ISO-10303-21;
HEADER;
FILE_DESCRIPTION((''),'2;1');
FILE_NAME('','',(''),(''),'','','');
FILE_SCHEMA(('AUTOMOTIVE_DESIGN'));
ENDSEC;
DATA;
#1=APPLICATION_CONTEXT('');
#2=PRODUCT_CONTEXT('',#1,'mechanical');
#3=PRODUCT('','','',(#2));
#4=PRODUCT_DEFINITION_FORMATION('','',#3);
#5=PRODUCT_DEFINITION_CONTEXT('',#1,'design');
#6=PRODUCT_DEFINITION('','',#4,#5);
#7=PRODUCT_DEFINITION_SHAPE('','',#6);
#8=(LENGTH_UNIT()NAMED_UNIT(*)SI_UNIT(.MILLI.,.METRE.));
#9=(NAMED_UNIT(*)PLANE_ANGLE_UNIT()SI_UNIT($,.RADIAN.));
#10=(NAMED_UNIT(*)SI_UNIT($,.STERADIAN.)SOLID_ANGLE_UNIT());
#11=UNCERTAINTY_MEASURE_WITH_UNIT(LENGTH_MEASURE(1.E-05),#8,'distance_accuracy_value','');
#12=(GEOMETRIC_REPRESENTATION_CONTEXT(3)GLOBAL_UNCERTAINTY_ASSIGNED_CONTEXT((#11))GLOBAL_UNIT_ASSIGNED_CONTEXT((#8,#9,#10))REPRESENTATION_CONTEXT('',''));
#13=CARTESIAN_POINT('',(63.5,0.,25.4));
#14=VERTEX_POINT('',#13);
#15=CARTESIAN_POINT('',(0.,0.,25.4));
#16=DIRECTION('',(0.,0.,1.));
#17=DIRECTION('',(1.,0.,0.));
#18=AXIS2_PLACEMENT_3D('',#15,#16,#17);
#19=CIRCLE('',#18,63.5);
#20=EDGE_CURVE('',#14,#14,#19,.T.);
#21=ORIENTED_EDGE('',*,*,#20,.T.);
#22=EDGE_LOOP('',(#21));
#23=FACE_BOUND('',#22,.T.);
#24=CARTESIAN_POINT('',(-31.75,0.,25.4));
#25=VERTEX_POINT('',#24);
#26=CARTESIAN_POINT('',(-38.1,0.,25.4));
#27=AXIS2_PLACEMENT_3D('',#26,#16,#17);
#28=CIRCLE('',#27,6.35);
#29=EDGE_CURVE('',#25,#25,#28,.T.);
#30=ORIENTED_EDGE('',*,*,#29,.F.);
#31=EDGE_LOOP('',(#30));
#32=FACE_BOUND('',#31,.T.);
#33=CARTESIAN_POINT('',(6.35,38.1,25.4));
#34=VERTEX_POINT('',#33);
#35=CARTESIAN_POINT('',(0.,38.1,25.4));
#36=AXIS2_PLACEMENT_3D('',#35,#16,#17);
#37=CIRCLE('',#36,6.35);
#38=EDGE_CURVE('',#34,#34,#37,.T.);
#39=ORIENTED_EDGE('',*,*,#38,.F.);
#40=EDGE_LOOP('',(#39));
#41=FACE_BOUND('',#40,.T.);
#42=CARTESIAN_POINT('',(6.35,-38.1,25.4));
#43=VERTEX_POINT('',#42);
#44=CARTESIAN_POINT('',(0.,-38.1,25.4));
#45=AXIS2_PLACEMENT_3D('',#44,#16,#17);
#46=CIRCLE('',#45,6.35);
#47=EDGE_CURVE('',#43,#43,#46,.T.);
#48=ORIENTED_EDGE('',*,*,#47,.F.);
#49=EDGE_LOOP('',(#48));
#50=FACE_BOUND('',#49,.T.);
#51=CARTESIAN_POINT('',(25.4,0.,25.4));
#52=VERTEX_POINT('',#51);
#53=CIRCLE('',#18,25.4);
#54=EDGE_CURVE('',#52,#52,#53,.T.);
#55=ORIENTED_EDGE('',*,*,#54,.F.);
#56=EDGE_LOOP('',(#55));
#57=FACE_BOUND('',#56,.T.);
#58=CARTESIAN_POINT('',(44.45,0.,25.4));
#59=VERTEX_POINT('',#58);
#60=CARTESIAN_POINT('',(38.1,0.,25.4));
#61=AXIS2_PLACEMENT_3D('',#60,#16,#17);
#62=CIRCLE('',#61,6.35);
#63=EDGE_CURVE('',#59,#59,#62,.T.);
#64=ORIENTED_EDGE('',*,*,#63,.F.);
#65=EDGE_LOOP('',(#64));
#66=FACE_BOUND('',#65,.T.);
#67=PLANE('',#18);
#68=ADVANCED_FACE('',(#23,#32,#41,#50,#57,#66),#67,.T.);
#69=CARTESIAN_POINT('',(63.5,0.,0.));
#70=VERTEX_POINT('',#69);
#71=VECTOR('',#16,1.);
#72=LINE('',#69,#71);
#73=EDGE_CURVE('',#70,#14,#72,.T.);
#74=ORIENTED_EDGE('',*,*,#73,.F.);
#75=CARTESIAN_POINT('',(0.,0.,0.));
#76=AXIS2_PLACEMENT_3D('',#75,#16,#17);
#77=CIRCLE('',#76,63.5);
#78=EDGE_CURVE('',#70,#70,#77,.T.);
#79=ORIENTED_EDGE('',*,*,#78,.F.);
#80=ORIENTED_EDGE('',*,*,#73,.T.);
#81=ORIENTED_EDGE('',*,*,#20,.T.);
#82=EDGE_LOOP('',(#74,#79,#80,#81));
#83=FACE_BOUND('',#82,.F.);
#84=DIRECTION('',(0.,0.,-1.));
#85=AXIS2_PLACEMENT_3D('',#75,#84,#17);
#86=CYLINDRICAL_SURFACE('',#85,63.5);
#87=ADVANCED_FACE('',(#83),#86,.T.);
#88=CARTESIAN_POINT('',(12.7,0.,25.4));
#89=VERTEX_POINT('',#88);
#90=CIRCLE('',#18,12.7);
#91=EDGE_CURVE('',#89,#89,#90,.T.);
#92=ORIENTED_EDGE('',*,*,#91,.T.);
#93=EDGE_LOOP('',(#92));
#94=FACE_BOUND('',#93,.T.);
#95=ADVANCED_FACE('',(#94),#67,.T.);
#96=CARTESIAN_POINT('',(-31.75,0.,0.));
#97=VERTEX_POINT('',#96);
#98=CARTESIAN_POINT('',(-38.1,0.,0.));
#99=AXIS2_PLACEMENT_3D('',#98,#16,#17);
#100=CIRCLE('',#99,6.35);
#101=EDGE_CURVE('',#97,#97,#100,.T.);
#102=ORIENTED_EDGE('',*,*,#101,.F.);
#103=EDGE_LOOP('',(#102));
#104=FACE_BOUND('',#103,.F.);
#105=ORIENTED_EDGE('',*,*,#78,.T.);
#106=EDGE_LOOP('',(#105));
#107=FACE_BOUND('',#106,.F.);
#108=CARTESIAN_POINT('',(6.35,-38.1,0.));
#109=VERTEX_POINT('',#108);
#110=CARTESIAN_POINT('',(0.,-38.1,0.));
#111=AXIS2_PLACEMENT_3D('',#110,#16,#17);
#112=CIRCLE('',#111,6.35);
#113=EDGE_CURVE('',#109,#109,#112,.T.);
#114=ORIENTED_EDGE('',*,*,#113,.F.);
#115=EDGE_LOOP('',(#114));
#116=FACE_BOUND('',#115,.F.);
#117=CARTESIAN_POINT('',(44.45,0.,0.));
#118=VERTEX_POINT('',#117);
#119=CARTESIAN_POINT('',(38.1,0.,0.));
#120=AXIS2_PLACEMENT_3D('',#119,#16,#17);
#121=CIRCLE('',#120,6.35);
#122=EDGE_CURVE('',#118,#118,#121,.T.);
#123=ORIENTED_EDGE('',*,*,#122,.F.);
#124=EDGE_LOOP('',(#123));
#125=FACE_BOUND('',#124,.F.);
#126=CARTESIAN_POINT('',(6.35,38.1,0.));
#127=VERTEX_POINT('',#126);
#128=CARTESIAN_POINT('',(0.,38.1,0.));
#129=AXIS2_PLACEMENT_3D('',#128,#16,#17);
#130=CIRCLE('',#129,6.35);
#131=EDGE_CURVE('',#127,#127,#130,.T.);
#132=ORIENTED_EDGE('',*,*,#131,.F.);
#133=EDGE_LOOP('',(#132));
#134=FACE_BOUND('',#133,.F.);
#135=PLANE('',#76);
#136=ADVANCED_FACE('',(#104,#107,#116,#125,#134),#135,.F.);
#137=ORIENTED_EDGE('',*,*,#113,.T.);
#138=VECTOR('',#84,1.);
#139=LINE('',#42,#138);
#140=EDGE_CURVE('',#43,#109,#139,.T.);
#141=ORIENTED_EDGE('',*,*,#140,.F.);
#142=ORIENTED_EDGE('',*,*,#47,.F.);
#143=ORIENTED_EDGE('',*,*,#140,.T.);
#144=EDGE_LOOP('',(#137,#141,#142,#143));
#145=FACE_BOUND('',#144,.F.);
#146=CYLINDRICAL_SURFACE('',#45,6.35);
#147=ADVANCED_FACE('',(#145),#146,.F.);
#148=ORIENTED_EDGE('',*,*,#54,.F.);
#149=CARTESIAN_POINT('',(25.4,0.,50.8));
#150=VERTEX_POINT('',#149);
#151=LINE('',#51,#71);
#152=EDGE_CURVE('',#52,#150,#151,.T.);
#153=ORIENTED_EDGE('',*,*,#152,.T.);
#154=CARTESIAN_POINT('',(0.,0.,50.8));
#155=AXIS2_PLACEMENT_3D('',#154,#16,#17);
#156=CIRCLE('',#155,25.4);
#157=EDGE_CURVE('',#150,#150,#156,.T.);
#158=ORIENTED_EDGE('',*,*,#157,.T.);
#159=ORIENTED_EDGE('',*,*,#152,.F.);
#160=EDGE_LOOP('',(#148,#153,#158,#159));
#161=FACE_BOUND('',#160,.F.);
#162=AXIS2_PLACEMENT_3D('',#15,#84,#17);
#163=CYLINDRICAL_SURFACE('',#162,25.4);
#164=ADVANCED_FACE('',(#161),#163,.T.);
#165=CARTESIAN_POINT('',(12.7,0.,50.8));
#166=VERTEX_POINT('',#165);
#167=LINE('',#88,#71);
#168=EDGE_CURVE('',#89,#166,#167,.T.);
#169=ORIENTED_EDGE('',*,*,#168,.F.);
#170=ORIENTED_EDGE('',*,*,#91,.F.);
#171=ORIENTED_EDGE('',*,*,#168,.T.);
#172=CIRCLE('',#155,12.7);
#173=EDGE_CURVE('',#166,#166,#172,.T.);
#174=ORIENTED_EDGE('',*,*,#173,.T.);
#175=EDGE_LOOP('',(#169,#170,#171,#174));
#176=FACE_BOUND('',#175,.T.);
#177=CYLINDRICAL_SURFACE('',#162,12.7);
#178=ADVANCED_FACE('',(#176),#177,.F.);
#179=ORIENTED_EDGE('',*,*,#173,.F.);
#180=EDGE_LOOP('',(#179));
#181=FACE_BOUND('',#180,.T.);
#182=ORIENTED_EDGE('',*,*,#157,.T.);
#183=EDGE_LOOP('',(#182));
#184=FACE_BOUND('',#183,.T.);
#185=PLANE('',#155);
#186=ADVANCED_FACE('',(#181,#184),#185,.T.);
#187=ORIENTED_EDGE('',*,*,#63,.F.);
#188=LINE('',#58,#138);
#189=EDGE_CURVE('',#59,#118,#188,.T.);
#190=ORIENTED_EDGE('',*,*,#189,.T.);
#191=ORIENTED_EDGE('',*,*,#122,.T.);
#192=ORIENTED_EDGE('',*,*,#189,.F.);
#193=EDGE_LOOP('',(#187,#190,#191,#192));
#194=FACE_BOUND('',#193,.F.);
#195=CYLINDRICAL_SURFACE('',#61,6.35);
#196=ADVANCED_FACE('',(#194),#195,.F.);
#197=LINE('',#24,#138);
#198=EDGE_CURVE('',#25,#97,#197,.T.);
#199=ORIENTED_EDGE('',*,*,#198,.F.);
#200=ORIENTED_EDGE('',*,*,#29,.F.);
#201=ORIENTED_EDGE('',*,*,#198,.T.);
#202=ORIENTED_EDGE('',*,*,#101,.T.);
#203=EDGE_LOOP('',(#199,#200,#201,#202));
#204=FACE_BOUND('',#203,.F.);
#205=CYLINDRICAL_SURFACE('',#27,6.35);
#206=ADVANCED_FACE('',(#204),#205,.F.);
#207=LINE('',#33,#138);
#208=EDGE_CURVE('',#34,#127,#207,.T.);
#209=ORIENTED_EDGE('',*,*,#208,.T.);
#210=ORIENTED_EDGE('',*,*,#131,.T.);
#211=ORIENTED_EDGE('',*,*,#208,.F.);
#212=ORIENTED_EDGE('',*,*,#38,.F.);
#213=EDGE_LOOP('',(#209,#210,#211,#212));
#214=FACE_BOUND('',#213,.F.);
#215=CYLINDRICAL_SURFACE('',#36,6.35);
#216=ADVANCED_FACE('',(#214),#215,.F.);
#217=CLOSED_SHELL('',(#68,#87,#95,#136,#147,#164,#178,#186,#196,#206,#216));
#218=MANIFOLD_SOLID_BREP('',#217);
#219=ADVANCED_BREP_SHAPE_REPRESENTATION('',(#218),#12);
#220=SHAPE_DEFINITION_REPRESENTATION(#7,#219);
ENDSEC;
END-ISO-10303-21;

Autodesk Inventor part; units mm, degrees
ref_plane "YZ Plane" through (0, 0, 0) normal (1, 0, 0) x (0, 1, 0)
ref_plane "XZ Plane" through (0, 0, 0) normal (0, 1, 0) x (-1, 0, 0)
ref_plane "XY Plane" through (0, 0, 0) normal (0, 0, 1) x (1, 0, 0)
sketch "Sketch1" plane through (0, 0, 0) normal (0, 0, 1) x (1, 0, 0)
  circle A0 centre (0, 0) radius 63.5
  dimension "d0" = 127
extrude "Extrusion1" add sketch "Sketch1" along normal blind 25.4
sketch "Sketch2" plane through (0, 0, 25.4) normal (0, 0, 1) x (1, 0, 0)
  circle A0 centre (0, 0) radius 25.4
  circle A1 centre (0, 0) radius 12.7
  circle A2 centre (0, -38.1) radius 6.35
  circle A3 centre (-38.1, 0) radius 6.35
  dimension "d3" = 50.8
  dimension "d4" = 25.4
  dimension "d5" = 12.7
  dimension "d6" = 38.1
  dimension "d7" = 12.7
  dimension "d8" = 38.1
sketch "Sketch3" plane through (0, 0, 25.4) normal (0, 0, 1) x (1, 0, 0)
  circle A0 centre (38.1, 0) radius 6.35
  circle A1 centre (0, 38.1) radius 6.35
  point P0 (0, 0)
  dimension "d9" = 12.7
  dimension "d10" = 38.1
  dimension "d11" = 12.7
  dimension "d12" = 38.1
extrude "Extrusion2" add sketch "Sketch2" along normal blind 25.4 contours A0
sketch "Sketch4" plane through (0, 0, 25.4) normal (0, 0, 1) x (1, 0, 0)
  circle A0 centre (-38.1, 0) radius 6.35
  circle A1 centre (0, -38.1) radius 6.35
  point P0 (0, 0)
  dimension "d15" = 12.7
  dimension "d16" = 38.1
  dimension "d17" = 12.7
  dimension "d18" = 38.1
extrude "Extrusion3" cut sketch "Sketch3" against normal blind 381 contours A1
extrude "Extrusion4" cut sketch "Sketch4" against normal blind 381
sketch "Sketch5" plane through (0, 0, 25.4) normal (0, 0, 1) x (1, 0, 0)
  circle A0 centre (38.1, 0) radius 6.35
  point P0 (0, 0)
  dimension "d23" = 12.7
  dimension "d24" = 38.1
extrude "Extrusion5" cut sketch "Sketch5" against normal blind 381
properties part number "test 2018 1"
